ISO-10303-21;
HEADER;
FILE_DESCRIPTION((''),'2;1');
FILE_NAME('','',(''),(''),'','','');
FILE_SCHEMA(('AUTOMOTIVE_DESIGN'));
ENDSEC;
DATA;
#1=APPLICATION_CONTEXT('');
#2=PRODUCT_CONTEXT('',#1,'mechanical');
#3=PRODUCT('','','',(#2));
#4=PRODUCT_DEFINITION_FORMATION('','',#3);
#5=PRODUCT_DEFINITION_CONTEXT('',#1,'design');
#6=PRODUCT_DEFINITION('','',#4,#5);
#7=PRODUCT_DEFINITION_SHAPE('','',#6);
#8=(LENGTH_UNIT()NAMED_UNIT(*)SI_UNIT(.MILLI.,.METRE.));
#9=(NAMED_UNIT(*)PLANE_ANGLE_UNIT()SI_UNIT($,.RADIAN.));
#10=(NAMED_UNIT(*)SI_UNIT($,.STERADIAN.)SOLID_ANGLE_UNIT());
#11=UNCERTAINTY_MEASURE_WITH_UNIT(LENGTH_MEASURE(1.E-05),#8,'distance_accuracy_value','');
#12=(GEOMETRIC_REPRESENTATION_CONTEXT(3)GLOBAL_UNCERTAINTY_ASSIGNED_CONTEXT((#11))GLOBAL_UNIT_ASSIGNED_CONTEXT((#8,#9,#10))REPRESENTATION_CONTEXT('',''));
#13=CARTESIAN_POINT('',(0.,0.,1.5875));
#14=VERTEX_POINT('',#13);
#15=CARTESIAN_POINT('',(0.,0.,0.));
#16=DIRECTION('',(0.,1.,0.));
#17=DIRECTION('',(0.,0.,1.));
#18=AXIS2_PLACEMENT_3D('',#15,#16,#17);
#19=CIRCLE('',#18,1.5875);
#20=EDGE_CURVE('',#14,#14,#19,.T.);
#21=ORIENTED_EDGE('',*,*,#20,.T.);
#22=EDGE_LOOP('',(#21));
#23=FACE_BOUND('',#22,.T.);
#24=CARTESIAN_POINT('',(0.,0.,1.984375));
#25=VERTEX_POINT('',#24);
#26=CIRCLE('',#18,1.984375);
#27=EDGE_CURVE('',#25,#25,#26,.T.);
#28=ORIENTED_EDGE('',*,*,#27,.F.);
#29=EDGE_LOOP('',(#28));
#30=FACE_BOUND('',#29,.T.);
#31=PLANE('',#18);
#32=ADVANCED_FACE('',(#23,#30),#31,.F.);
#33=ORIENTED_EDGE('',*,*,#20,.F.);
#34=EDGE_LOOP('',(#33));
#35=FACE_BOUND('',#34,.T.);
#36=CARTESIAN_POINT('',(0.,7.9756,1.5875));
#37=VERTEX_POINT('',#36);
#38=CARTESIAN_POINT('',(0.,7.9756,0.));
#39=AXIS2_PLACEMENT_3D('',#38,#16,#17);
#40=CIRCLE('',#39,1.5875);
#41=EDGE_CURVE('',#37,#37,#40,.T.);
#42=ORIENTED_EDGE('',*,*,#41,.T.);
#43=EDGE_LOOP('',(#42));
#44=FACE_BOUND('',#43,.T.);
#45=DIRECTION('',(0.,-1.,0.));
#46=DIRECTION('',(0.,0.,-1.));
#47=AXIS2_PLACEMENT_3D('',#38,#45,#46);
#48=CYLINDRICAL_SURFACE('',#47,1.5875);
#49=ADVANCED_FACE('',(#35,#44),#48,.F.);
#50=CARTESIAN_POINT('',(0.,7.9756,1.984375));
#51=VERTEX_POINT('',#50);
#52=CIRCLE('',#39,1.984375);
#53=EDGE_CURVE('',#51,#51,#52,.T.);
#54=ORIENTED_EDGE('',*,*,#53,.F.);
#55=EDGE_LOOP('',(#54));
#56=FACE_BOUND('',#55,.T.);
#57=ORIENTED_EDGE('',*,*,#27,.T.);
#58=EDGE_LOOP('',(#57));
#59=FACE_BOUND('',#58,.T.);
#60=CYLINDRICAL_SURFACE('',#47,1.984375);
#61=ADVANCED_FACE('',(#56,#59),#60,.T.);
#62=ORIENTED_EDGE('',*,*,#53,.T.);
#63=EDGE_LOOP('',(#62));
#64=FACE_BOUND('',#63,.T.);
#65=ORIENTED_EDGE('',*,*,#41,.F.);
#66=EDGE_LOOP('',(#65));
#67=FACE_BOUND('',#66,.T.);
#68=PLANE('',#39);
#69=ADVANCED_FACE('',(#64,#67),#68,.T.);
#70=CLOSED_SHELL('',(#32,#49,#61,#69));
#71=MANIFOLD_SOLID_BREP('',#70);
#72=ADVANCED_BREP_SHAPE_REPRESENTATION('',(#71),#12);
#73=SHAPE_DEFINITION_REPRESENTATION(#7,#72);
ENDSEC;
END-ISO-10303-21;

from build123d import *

# Parameters (mm, degrees)
SKETCH1_R      = 1.984375
SKETCH1_R_2    = 1.5875
EXTRUDE1_DEPTH = 7.9756


with BuildPart() as part:
    # Sketch1 → Extrude1 (new body)
    with BuildSketch(Plane(origin=(0, 0, 0), x_dir=(1, 0, 0), z_dir=(0, 1, 0))):
        Circle(SKETCH1_R)
        Circle(SKETCH1_R_2, mode=Mode.SUBTRACT)
    extrude(amount=EXTRUDE1_DEPTH)


solid = part.part
